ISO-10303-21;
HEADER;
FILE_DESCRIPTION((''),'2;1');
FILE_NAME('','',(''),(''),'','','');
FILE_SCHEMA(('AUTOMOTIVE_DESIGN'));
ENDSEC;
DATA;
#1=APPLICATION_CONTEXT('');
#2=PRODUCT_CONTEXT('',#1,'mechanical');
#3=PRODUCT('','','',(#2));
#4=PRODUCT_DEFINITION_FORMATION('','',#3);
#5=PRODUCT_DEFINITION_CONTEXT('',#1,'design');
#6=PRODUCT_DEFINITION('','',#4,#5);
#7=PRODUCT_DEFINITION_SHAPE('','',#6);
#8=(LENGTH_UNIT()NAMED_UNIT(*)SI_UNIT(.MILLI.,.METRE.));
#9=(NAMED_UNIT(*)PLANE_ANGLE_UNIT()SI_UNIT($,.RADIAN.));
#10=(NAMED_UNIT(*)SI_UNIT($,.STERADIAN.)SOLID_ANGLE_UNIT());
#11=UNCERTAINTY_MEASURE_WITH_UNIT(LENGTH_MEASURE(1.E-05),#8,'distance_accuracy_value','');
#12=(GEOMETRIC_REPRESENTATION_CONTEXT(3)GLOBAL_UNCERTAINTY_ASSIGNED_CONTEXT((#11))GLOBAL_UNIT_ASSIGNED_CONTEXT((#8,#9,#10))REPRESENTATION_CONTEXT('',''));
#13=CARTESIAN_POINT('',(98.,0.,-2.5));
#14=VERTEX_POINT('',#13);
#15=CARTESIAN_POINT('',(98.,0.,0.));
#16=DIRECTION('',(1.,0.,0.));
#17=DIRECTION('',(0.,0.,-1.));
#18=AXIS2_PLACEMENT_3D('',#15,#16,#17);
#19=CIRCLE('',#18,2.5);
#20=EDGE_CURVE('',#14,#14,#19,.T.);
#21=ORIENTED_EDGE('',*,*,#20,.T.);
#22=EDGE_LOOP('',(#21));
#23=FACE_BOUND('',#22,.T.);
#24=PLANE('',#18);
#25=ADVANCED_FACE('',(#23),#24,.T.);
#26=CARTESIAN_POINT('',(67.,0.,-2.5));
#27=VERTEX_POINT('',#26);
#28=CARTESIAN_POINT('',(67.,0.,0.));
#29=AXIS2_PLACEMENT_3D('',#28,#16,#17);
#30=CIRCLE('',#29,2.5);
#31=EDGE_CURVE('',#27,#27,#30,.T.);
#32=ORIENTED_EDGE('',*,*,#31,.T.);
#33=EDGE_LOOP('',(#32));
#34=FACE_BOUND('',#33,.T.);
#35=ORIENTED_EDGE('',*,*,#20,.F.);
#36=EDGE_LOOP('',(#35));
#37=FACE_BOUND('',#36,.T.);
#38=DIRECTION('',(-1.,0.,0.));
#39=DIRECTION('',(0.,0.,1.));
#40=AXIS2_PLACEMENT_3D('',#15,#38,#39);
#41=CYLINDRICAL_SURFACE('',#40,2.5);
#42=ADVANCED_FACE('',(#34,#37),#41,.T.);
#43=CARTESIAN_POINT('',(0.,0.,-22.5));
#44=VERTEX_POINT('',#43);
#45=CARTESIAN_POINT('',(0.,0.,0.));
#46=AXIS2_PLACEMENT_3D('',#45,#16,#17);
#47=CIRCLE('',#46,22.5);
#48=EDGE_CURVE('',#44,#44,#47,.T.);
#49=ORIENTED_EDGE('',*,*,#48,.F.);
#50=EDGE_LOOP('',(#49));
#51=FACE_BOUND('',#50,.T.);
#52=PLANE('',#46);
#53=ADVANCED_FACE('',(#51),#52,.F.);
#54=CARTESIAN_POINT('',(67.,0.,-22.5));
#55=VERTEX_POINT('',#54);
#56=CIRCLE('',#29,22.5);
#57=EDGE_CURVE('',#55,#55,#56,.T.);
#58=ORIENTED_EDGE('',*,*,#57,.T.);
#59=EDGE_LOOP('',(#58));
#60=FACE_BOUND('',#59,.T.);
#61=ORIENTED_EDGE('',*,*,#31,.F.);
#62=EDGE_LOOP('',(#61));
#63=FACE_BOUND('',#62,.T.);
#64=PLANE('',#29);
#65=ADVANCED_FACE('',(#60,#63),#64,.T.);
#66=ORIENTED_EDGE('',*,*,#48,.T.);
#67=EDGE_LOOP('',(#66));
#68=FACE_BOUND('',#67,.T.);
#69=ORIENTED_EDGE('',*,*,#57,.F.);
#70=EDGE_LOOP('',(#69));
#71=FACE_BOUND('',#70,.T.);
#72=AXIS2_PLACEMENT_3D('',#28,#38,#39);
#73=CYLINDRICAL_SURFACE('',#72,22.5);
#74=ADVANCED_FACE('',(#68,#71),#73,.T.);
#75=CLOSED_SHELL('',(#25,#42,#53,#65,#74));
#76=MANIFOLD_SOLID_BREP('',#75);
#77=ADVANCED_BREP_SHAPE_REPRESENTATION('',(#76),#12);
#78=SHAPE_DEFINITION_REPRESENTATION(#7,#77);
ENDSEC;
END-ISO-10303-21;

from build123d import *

# Parameters (mm, degrees)
SKETCH2_R           = 22.5
BOSS_EXTRUDE1_DEPTH = 67
SKETCH3_R           = 2.5
BOSS_EXTRUDE2_DEPTH = 31


with BuildPart() as part:
    # Sketch2 → Boss-Extrude1 (new body)
    with BuildSketch(Plane(origin=(0, 0, 0), x_dir=(0, 0, -1), z_dir=(1, 0, 0))):
        Circle(SKETCH2_R)
    extrude(amount=BOSS_EXTRUDE1_DEPTH)

    # Sketch3 → Boss-Extrude2 (add)
    with BuildSketch(Plane(origin=(67, 0, 0), x_dir=(0, 0, -1), z_dir=(1, 0, 0))):
        Circle(SKETCH3_R)
    extrude(amount=BOSS_EXTRUDE2_DEPTH)


solid = part.part
